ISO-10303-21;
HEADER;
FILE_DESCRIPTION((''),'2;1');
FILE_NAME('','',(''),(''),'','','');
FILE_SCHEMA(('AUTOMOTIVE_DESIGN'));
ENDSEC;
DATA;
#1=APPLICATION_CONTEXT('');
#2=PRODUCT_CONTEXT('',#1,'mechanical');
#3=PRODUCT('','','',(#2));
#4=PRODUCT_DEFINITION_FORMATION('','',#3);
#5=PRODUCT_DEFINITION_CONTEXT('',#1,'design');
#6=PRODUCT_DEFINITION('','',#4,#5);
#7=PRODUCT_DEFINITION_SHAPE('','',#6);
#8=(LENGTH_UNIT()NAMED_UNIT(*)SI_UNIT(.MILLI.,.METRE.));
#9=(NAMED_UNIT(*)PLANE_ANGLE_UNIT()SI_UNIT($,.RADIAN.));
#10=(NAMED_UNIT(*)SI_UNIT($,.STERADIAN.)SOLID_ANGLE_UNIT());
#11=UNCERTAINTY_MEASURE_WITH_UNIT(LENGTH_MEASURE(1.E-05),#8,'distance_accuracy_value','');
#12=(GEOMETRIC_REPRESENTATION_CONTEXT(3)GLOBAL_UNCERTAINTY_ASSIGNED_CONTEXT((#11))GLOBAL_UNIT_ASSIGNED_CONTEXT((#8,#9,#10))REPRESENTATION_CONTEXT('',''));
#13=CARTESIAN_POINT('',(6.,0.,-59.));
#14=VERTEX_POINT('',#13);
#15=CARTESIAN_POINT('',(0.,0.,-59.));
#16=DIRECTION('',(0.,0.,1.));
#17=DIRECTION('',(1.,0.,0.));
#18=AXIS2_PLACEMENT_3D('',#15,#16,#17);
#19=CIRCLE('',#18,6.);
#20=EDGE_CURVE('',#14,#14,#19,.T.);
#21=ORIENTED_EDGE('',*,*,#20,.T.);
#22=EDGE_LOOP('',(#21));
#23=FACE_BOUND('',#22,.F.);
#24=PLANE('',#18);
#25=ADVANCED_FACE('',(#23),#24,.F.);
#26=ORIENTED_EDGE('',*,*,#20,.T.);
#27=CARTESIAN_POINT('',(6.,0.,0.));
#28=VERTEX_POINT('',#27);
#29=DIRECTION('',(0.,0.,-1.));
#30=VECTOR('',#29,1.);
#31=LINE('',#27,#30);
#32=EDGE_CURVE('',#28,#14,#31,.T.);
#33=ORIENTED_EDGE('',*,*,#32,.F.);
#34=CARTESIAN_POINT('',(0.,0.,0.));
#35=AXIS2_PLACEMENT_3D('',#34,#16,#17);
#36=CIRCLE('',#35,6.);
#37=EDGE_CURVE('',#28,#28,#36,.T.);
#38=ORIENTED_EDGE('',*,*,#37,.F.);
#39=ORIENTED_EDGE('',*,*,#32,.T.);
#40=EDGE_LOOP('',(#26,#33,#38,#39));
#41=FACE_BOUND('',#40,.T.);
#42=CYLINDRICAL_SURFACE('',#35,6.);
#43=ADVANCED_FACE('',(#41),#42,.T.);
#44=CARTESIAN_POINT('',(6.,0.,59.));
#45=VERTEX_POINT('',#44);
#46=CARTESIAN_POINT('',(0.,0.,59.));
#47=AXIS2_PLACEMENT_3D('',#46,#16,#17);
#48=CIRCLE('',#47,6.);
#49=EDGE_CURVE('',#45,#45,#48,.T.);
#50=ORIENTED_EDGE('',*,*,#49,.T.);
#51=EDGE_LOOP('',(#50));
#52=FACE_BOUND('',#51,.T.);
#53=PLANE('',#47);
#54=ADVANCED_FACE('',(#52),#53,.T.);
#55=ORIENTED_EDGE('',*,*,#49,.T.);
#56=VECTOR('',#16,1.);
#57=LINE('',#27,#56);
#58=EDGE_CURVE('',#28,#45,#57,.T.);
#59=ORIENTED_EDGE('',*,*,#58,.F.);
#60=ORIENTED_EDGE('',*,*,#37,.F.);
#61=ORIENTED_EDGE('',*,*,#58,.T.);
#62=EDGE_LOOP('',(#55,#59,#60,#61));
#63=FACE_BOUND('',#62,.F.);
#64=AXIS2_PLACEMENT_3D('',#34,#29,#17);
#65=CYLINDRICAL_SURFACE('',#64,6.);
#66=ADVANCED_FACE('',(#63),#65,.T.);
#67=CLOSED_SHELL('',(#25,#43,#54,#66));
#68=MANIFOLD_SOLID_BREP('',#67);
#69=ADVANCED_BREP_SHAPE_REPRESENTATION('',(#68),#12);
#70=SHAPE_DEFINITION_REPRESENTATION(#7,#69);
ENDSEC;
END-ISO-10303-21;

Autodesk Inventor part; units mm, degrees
ref_plane "YZ Plane" through (0, 0, 0) normal (1, 0, 0) x (0, 1, 0)
ref_plane "XZ Plane" through (0, 0, 0) normal (0, 1, 0) x (-1, 0, 0)
ref_plane "XY Plane" through (0, 0, 0) normal (0, 0, 1) x (1, 0, 0)
sketch "Sketch1" plane through (0, 0, 0) normal (0, 0, 1) x (1, 0, 0)
  circle A0 centre (0, 0) radius 6
  dimension "d0" = 12
extrude "Extrusion1" add sketch "Sketch1" along normal mid plane 118
equation "\"d0\" = Шпил_пласт_НОС_диам_шпильки"
equation "\"Шпил_пласт_НОС_диам_шпильки\" = 12"
properties part number "ДМС 030 шпилька 1"
